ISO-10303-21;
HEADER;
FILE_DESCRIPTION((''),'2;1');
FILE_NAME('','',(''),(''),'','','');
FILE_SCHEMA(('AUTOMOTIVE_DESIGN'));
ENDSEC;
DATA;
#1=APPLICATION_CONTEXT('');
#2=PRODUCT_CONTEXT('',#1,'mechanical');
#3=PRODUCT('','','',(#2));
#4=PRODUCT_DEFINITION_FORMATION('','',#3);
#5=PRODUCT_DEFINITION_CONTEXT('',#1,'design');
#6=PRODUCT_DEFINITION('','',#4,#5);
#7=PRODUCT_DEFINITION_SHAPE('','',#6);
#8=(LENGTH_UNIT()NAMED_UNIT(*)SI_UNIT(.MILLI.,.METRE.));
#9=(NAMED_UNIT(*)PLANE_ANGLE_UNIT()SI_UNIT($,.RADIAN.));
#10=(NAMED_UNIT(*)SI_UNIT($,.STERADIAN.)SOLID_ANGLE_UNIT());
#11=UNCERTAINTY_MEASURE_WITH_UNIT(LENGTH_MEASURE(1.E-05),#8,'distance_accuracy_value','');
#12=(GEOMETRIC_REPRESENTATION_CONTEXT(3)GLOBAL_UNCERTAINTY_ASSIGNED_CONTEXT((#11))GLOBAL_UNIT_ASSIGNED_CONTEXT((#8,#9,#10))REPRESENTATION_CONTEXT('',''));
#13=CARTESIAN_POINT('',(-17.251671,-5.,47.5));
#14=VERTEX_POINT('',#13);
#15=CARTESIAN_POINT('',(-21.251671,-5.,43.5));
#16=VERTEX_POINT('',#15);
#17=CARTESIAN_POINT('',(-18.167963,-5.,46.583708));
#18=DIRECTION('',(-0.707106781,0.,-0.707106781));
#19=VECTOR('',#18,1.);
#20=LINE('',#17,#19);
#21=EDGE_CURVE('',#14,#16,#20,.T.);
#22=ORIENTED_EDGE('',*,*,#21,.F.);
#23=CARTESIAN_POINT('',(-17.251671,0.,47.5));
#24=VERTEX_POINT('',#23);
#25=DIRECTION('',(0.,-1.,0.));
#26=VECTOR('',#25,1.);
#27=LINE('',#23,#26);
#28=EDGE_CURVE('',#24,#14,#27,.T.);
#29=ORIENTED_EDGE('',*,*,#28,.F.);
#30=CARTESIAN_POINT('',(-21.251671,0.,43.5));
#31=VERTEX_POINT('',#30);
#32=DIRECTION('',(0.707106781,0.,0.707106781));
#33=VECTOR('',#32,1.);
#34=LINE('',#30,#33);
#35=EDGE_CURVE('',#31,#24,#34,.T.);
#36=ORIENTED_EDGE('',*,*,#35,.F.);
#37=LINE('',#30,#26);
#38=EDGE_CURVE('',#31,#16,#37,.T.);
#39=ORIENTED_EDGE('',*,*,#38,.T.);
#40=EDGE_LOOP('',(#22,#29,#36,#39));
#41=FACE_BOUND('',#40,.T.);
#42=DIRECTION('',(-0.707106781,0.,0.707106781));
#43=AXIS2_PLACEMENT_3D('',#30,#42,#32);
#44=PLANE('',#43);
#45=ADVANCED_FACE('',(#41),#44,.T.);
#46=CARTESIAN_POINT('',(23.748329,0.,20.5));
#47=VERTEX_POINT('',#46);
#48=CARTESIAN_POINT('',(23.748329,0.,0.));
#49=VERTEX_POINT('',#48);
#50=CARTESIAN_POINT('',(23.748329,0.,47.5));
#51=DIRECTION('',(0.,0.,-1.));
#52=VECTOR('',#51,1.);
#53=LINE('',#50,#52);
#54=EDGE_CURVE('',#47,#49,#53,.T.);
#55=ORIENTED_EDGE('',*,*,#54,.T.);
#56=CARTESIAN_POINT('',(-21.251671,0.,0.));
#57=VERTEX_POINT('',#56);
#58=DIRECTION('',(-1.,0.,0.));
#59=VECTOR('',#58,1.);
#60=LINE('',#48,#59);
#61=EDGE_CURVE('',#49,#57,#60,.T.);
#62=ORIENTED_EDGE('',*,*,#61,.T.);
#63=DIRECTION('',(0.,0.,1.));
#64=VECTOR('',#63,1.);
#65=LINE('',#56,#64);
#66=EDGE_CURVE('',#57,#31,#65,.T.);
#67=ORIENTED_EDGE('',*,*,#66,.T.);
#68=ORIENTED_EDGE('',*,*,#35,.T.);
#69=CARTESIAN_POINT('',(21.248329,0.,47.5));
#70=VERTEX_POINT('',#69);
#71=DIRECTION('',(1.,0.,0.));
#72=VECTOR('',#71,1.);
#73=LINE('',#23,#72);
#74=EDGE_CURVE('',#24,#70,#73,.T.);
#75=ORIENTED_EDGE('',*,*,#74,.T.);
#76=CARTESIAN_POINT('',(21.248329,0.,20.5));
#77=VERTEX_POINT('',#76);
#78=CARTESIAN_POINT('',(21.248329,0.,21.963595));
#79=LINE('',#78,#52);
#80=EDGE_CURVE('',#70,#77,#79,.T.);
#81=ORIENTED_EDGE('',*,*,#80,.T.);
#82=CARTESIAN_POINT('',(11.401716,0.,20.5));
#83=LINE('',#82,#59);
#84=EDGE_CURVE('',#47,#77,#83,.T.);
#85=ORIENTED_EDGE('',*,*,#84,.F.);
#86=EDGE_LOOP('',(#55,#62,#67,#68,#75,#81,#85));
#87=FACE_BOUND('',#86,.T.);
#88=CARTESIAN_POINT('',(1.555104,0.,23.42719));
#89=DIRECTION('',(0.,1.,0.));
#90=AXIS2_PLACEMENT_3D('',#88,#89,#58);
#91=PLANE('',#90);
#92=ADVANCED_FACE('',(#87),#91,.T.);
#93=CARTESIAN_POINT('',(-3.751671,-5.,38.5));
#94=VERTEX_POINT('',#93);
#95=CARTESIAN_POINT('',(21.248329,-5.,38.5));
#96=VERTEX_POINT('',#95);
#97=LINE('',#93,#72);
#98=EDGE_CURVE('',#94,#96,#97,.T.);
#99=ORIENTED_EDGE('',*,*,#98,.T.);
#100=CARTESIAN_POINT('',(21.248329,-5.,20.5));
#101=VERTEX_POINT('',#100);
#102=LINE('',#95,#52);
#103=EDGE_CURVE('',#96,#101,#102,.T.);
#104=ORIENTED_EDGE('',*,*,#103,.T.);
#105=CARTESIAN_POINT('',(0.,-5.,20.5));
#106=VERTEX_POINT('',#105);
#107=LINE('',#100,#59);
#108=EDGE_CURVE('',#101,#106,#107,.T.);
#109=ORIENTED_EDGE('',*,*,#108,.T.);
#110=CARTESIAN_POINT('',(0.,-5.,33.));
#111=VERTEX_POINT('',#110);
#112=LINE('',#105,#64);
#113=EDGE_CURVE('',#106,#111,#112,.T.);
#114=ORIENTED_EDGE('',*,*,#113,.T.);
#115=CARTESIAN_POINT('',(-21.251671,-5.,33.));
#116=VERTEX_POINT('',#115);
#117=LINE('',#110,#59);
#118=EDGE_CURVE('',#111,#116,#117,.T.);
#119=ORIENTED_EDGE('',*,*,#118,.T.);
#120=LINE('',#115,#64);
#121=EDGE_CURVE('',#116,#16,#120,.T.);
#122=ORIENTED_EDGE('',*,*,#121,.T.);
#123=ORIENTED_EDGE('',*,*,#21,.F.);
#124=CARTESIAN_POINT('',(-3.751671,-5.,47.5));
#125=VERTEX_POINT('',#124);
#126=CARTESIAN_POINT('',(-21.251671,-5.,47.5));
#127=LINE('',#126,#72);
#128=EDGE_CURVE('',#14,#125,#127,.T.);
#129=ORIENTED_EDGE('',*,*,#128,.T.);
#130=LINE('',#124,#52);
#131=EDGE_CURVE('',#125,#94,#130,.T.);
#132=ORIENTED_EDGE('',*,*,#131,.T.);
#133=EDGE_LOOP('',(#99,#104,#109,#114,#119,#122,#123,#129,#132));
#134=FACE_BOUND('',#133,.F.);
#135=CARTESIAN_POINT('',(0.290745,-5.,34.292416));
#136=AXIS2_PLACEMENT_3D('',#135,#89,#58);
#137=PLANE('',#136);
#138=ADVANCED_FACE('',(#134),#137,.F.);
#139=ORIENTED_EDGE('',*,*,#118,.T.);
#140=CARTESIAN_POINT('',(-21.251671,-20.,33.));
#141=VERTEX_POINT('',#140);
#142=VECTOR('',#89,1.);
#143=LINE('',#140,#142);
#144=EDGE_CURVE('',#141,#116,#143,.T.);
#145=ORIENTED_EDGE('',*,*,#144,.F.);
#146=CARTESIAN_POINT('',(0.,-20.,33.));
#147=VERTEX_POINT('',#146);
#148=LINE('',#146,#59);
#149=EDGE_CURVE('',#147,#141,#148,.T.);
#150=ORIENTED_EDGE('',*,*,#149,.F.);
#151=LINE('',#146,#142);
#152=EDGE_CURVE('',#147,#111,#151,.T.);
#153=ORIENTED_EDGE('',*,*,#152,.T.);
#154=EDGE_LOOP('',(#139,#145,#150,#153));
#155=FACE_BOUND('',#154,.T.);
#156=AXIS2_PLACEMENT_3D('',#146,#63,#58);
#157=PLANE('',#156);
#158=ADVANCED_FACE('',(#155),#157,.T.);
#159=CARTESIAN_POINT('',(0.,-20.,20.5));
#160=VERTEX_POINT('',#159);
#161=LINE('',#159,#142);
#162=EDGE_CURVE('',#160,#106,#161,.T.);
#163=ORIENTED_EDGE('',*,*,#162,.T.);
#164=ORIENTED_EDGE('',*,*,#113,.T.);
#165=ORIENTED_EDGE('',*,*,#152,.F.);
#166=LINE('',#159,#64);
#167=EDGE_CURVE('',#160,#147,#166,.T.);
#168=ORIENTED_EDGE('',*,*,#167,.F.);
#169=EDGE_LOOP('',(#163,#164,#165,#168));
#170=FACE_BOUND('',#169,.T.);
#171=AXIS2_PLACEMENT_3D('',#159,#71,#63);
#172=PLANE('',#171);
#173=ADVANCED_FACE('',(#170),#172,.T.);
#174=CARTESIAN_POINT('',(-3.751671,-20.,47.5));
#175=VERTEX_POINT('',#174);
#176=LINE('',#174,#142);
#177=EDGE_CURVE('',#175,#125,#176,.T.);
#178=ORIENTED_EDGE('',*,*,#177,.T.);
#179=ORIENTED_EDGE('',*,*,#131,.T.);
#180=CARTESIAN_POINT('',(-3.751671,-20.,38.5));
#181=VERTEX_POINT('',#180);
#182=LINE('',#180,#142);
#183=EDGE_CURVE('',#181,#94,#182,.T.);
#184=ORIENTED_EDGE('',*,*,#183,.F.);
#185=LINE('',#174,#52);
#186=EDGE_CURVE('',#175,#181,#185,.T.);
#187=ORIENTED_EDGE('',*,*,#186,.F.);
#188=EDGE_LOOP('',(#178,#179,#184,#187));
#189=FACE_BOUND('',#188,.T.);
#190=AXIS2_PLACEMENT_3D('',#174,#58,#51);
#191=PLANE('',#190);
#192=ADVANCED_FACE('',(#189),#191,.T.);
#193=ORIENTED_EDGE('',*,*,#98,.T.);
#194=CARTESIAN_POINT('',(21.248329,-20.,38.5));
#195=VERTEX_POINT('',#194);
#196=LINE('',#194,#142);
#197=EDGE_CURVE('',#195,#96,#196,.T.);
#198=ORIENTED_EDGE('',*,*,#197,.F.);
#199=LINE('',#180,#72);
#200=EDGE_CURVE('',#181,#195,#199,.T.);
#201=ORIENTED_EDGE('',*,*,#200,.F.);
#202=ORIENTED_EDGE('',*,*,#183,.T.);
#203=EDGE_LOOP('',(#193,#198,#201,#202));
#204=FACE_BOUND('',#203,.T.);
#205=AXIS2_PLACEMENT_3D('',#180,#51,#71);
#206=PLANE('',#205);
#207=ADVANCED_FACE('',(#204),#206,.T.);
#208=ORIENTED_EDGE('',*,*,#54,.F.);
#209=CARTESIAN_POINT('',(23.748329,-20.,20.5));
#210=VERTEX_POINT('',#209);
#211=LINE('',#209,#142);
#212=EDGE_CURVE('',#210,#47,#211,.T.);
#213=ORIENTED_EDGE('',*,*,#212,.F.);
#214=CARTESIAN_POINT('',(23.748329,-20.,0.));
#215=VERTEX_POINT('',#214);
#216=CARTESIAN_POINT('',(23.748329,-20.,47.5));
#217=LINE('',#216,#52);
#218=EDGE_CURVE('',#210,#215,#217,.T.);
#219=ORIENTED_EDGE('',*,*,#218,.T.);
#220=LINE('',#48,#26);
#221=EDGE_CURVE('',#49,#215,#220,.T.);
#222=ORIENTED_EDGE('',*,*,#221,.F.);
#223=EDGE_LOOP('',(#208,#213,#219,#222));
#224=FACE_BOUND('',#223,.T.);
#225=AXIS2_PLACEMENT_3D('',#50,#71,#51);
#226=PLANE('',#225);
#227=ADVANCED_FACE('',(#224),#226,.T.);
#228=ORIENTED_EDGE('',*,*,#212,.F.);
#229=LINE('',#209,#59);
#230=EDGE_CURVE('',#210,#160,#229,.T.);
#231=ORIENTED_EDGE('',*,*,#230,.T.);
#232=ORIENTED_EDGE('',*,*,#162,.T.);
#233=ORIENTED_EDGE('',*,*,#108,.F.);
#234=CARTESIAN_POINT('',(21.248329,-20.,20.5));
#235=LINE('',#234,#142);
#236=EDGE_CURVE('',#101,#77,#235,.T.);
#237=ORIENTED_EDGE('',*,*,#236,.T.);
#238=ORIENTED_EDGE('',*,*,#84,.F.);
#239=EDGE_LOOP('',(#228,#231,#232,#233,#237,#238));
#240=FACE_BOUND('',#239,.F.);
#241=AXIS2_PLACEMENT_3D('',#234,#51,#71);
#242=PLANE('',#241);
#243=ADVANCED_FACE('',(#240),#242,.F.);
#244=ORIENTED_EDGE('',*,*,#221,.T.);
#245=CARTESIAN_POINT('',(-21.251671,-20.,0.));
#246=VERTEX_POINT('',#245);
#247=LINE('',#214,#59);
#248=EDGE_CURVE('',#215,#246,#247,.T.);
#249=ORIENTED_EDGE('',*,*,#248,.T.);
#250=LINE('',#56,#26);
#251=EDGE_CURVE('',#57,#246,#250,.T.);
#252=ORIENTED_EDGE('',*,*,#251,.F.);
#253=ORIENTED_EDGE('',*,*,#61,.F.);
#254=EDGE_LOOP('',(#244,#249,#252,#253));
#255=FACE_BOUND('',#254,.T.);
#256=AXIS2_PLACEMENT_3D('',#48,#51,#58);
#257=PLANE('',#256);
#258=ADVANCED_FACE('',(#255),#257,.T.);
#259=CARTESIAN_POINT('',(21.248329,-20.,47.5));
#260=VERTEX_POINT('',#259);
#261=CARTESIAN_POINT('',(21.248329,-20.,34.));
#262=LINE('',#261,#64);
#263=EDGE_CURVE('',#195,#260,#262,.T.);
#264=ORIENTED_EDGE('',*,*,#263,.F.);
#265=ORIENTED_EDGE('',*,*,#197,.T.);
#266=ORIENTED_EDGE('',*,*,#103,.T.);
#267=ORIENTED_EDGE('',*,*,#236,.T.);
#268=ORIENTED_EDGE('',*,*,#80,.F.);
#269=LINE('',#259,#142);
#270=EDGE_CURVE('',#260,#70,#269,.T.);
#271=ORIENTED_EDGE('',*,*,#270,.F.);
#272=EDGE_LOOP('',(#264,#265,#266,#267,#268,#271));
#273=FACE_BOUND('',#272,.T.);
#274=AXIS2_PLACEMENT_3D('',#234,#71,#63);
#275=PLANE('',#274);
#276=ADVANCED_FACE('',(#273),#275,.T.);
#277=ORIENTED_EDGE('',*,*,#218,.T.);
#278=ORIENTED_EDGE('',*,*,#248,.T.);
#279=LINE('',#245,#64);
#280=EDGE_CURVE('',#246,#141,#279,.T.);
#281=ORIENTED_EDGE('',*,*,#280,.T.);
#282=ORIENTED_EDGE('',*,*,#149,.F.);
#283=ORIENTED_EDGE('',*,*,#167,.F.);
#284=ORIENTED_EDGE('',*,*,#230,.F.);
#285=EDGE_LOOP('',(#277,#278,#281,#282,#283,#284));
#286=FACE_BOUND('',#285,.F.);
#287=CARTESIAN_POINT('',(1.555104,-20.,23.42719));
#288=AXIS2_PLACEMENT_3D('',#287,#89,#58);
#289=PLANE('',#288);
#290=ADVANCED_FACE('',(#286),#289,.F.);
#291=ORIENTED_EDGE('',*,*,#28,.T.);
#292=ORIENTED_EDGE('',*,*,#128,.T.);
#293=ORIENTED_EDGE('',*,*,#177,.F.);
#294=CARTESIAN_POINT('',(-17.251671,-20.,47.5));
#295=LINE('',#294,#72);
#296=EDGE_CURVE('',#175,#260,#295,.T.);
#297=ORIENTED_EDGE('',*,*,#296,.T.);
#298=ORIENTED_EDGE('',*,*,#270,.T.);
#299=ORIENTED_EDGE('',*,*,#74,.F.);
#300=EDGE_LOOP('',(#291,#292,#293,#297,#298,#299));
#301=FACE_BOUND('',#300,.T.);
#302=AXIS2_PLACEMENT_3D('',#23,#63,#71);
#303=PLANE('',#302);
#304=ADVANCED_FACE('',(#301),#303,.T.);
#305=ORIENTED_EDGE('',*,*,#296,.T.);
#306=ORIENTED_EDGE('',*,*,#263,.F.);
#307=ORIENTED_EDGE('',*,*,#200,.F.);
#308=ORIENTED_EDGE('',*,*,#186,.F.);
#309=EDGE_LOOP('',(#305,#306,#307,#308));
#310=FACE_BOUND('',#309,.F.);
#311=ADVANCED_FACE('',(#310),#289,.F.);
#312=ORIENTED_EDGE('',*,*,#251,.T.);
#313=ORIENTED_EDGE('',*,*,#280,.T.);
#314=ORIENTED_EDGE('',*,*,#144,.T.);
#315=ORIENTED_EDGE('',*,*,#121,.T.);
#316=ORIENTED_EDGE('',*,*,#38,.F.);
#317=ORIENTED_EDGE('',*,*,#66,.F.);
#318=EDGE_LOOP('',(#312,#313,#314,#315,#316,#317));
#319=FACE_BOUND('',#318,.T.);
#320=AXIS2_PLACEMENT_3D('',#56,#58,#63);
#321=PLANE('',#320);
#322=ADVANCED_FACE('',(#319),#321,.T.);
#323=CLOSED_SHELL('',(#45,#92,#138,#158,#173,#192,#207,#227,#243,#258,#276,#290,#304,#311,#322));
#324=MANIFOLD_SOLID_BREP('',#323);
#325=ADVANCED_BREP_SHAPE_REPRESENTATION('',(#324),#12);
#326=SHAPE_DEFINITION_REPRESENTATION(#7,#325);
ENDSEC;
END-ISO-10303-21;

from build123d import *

# Parameters (mm, degrees)
PAD_DEPTH       = 20
SKETCH001_W     = 2.5
SKETCH001_H     = 27
POCKET_DEPTH    = 20.001
POCKET001_DEPTH = 15


with BuildPart() as part:
    # Sketch → Pad (new body)
    with BuildSketch(Plane.XZ):
        Polygon((23.748329, 0), (-21.251671, 0), (-21.251671, 43.5), (-17.251671, 47.5), (23.748329, 47.5), align=None)
    extrude(amount=PAD_DEPTH)

    # Sketch001 → Pocket (cut, through all)
    with BuildSketch(Plane.XZ.offset(20)):
        with Locations((22.498329, 34)):
            Rectangle(SKETCH001_W, SKETCH001_H)
    extrude(amount=-POCKET_DEPTH, mode=Mode.SUBTRACT)

    # Sketch002 → Pocket001 (cut)
    with BuildSketch(Plane.XZ.offset(20)):
        Polygon((21.248329, 20.5), (0, 20.5), (0, 33), (-21.251671, 33), (-21.251671, 47.5), (-3.751671, 47.5), (-3.751671, 38.5), (21.248329, 38.5), align=None)
    extrude(amount=-POCKET001_DEPTH, mode=Mode.SUBTRACT)


solid = part.part
